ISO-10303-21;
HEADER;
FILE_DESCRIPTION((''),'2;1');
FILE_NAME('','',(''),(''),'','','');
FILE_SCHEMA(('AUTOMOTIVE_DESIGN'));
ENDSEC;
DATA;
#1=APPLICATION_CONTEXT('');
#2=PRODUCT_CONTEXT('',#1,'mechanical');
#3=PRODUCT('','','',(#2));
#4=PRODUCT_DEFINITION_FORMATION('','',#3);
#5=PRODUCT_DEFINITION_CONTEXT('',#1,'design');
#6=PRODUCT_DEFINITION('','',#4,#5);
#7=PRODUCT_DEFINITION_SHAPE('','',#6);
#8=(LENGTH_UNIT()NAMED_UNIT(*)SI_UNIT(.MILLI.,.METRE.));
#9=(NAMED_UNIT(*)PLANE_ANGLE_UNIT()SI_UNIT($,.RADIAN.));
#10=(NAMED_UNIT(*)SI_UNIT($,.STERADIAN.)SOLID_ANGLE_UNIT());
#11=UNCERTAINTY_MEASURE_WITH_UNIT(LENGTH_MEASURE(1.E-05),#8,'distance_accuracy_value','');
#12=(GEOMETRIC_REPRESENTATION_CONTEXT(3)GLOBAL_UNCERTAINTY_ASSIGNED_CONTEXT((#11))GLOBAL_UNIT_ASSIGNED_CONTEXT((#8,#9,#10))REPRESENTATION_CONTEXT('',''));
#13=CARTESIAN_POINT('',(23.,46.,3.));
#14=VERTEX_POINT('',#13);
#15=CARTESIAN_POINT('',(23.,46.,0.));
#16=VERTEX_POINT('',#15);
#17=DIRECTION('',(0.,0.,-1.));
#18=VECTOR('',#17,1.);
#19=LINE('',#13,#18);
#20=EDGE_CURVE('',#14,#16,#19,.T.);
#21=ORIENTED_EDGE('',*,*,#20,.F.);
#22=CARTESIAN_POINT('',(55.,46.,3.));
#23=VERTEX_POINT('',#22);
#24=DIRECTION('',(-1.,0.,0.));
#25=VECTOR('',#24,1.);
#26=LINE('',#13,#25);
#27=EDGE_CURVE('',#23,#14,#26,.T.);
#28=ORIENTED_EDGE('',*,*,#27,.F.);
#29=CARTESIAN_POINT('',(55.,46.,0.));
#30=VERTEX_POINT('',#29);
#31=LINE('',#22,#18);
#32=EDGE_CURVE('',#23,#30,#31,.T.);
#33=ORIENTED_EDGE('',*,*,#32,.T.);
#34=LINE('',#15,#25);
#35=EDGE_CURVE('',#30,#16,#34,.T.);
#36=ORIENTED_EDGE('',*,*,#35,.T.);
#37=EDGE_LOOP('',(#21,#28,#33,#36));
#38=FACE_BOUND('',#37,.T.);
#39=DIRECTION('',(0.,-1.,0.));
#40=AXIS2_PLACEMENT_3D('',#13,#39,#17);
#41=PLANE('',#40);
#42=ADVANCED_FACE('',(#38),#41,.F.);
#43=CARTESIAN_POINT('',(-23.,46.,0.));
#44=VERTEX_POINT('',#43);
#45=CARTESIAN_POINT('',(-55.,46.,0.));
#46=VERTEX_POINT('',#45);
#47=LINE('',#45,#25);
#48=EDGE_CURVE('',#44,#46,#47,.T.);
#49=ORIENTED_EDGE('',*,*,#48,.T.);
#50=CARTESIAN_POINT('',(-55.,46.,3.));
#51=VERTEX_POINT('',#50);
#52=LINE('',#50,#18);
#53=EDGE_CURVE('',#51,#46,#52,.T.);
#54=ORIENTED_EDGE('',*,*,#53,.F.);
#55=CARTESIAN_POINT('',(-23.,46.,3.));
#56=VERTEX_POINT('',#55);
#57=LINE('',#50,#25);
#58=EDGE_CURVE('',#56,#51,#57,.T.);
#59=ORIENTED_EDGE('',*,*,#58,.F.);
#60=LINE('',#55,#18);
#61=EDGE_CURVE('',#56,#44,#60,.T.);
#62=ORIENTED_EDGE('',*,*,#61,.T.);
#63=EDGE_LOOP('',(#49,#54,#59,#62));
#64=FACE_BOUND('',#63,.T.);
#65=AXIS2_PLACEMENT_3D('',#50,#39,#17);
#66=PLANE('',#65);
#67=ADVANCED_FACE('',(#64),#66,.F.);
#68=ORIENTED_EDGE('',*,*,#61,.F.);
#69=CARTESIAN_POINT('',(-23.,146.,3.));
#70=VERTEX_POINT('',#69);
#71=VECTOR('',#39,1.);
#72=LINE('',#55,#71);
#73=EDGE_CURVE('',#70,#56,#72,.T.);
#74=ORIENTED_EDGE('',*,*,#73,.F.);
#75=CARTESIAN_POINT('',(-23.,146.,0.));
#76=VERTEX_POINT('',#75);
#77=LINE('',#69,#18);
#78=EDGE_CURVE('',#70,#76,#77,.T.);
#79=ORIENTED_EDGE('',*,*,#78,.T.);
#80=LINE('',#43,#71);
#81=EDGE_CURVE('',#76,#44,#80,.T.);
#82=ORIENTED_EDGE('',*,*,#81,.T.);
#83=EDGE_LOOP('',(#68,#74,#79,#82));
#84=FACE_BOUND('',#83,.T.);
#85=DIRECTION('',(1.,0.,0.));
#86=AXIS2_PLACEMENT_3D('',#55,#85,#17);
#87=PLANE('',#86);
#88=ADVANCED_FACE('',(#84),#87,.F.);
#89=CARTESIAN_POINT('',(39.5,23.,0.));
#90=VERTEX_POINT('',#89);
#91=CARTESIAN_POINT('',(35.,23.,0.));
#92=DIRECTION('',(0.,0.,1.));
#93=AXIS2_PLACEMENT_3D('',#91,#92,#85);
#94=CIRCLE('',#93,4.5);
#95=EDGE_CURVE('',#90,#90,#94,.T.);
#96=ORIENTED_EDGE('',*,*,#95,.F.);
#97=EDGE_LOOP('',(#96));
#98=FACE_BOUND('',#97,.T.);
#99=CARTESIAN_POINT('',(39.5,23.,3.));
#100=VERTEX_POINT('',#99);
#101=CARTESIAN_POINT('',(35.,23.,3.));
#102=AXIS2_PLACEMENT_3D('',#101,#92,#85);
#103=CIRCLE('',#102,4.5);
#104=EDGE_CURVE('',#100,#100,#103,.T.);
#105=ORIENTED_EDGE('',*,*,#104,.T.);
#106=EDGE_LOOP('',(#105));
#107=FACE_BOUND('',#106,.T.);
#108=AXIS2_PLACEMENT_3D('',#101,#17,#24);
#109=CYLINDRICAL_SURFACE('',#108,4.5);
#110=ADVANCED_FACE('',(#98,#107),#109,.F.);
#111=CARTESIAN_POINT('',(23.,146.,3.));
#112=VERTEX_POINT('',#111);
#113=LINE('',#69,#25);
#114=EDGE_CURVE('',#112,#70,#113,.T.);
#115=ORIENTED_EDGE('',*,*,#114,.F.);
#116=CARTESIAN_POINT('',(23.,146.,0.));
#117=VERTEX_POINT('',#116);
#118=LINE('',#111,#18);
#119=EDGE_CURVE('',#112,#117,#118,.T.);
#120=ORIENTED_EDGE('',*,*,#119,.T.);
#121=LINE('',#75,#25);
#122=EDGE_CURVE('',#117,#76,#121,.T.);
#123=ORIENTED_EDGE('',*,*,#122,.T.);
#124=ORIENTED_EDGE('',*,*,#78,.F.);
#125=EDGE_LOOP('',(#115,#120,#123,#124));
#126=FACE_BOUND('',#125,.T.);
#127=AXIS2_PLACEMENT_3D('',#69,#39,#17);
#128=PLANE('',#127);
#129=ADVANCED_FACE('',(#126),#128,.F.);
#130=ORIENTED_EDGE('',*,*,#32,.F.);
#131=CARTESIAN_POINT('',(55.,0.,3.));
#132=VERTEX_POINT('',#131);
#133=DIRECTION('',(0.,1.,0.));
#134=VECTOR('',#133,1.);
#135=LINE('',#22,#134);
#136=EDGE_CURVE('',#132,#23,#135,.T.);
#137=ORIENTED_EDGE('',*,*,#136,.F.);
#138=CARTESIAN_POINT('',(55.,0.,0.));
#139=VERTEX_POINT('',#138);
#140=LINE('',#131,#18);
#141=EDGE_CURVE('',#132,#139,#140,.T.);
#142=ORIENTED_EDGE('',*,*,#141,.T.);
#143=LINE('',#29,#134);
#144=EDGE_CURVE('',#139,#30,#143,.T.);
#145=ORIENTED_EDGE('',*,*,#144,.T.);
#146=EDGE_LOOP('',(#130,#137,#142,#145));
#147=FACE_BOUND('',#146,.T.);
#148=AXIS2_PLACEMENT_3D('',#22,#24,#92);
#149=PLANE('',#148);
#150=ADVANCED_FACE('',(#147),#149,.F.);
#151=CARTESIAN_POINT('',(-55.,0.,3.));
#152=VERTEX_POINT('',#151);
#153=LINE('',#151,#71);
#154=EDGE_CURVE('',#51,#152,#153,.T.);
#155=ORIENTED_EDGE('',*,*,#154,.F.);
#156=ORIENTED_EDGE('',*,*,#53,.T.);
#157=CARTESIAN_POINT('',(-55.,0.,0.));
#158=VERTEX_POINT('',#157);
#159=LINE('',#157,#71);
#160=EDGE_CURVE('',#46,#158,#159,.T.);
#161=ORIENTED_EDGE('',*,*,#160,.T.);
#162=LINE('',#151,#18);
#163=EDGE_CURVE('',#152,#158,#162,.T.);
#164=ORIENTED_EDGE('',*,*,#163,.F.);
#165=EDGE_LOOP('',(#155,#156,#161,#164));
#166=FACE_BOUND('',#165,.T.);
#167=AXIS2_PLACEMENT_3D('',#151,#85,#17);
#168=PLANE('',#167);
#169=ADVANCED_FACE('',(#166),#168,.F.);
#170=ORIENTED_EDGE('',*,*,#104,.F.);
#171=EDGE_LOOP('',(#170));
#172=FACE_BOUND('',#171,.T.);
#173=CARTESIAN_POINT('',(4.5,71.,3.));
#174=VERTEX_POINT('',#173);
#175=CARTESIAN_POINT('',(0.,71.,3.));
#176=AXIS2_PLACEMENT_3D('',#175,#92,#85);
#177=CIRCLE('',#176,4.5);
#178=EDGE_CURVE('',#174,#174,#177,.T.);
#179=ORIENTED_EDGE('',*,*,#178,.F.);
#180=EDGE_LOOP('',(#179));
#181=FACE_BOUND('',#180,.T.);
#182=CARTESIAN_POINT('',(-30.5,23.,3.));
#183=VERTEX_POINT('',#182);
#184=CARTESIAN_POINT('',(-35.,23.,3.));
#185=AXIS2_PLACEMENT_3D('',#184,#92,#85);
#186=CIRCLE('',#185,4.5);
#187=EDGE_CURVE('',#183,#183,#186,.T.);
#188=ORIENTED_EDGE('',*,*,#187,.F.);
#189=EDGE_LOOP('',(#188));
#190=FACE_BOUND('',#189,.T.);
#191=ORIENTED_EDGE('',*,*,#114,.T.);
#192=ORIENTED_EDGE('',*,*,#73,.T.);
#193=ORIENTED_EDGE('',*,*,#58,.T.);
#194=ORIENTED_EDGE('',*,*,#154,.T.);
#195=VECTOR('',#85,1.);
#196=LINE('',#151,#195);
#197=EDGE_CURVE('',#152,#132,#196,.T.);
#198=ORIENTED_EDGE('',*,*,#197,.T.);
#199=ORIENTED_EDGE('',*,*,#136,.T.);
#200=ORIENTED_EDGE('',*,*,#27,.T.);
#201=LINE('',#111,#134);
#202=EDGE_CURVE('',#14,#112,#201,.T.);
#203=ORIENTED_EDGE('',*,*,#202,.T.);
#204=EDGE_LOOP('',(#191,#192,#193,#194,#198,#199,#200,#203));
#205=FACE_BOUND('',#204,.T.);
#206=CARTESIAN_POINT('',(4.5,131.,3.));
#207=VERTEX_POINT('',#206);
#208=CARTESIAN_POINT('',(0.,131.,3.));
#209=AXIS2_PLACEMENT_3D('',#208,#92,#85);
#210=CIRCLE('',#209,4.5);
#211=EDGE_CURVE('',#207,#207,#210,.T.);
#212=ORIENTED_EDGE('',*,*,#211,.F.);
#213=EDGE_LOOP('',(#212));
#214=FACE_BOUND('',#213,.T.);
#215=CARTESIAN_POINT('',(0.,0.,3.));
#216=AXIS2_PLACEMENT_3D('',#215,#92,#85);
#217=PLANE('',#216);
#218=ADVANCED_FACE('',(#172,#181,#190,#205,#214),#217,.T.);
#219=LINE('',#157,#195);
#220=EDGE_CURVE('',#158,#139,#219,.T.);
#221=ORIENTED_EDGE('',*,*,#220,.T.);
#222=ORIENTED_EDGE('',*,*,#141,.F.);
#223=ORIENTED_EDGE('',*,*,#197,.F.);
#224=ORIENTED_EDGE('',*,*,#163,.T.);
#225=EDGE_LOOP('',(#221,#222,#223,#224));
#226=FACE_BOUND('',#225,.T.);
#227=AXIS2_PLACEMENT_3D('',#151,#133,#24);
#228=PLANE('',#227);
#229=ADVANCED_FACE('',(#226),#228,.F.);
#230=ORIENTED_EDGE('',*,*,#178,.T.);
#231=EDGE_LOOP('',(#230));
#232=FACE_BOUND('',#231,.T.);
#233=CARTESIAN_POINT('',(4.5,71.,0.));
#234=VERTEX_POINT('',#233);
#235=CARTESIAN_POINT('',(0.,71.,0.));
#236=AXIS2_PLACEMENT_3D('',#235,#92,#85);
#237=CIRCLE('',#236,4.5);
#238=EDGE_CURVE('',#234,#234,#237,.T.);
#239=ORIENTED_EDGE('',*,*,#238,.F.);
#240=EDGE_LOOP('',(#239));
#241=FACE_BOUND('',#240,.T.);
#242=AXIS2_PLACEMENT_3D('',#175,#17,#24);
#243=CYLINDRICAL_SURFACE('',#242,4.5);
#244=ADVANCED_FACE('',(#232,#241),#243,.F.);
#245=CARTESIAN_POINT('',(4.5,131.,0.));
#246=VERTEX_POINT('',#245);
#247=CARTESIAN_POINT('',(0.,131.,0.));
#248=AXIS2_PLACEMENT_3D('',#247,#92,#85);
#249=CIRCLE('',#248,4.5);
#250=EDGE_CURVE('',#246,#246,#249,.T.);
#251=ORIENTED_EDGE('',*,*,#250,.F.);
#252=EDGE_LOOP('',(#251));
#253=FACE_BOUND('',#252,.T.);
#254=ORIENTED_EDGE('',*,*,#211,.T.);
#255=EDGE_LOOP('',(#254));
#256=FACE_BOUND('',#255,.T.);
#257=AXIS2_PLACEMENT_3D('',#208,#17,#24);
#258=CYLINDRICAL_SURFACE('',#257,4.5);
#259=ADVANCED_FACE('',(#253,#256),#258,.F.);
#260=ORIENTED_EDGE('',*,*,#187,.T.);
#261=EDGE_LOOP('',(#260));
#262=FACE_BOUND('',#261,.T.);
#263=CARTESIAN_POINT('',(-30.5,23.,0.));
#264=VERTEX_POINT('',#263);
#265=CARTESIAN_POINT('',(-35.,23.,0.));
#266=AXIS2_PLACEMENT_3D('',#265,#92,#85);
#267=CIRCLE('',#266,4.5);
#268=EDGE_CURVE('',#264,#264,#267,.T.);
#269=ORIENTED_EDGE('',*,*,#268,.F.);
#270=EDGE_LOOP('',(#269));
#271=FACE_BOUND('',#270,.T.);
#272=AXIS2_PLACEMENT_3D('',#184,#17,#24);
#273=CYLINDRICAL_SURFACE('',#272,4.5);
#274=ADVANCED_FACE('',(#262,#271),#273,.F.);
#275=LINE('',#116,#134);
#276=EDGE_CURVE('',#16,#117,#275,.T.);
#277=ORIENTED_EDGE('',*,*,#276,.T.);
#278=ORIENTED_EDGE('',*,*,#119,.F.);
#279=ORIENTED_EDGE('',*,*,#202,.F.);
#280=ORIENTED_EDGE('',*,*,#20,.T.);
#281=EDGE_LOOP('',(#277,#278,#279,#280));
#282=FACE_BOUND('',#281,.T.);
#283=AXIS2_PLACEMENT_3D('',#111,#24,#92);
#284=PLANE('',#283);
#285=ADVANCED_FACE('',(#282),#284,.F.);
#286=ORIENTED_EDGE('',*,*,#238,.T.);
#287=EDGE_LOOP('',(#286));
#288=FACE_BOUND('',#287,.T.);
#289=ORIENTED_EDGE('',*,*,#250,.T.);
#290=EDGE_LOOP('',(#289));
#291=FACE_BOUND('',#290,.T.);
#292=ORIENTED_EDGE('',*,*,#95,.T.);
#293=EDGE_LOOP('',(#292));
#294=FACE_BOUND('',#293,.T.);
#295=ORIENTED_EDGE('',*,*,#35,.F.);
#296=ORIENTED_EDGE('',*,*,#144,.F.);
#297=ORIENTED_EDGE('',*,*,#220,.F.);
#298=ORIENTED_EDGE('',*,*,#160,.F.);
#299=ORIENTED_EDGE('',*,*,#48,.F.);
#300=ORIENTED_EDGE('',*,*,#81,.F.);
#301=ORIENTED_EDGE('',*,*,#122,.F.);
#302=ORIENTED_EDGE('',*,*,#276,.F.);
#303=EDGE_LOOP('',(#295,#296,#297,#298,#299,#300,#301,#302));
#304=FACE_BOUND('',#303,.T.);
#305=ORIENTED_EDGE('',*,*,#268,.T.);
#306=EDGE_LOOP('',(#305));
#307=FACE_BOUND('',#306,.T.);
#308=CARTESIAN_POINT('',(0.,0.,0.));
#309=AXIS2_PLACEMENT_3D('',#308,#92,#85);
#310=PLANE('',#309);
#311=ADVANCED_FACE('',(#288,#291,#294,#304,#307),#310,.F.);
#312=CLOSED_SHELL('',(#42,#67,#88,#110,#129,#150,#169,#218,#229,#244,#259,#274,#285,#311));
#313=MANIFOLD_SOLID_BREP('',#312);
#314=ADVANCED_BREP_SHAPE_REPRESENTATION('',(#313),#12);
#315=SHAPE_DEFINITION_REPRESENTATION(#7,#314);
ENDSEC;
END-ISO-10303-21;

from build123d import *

# Parameters (mm, degrees)
SKETCH_1_R      = 4.5
EXTRUDE_1_DEPTH = 3


with BuildPart() as part:
    # Эскиз1 → Бобышка-Вытянуть1 (new body)
    with BuildSketch(Plane.XY):
        Polygon((-55, 0), (55, 0), (55, 46), (23, 46), (23, 146), (-23, 146), (-23, 46), (-55, 46), align=None)
        with Locations((0, 131)):
            Circle(SKETCH_1_R, mode=Mode.SUBTRACT)
        with Locations((0, 71)):
            Circle(SKETCH_1_R, mode=Mode.SUBTRACT)
        with Locations((-35, 23)):
            Circle(SKETCH_1_R, mode=Mode.SUBTRACT)
        with Locations((35, 23)):
            Circle(SKETCH_1_R, mode=Mode.SUBTRACT)
    extrude(amount=EXTRUDE_1_DEPTH)


solid = part.part
